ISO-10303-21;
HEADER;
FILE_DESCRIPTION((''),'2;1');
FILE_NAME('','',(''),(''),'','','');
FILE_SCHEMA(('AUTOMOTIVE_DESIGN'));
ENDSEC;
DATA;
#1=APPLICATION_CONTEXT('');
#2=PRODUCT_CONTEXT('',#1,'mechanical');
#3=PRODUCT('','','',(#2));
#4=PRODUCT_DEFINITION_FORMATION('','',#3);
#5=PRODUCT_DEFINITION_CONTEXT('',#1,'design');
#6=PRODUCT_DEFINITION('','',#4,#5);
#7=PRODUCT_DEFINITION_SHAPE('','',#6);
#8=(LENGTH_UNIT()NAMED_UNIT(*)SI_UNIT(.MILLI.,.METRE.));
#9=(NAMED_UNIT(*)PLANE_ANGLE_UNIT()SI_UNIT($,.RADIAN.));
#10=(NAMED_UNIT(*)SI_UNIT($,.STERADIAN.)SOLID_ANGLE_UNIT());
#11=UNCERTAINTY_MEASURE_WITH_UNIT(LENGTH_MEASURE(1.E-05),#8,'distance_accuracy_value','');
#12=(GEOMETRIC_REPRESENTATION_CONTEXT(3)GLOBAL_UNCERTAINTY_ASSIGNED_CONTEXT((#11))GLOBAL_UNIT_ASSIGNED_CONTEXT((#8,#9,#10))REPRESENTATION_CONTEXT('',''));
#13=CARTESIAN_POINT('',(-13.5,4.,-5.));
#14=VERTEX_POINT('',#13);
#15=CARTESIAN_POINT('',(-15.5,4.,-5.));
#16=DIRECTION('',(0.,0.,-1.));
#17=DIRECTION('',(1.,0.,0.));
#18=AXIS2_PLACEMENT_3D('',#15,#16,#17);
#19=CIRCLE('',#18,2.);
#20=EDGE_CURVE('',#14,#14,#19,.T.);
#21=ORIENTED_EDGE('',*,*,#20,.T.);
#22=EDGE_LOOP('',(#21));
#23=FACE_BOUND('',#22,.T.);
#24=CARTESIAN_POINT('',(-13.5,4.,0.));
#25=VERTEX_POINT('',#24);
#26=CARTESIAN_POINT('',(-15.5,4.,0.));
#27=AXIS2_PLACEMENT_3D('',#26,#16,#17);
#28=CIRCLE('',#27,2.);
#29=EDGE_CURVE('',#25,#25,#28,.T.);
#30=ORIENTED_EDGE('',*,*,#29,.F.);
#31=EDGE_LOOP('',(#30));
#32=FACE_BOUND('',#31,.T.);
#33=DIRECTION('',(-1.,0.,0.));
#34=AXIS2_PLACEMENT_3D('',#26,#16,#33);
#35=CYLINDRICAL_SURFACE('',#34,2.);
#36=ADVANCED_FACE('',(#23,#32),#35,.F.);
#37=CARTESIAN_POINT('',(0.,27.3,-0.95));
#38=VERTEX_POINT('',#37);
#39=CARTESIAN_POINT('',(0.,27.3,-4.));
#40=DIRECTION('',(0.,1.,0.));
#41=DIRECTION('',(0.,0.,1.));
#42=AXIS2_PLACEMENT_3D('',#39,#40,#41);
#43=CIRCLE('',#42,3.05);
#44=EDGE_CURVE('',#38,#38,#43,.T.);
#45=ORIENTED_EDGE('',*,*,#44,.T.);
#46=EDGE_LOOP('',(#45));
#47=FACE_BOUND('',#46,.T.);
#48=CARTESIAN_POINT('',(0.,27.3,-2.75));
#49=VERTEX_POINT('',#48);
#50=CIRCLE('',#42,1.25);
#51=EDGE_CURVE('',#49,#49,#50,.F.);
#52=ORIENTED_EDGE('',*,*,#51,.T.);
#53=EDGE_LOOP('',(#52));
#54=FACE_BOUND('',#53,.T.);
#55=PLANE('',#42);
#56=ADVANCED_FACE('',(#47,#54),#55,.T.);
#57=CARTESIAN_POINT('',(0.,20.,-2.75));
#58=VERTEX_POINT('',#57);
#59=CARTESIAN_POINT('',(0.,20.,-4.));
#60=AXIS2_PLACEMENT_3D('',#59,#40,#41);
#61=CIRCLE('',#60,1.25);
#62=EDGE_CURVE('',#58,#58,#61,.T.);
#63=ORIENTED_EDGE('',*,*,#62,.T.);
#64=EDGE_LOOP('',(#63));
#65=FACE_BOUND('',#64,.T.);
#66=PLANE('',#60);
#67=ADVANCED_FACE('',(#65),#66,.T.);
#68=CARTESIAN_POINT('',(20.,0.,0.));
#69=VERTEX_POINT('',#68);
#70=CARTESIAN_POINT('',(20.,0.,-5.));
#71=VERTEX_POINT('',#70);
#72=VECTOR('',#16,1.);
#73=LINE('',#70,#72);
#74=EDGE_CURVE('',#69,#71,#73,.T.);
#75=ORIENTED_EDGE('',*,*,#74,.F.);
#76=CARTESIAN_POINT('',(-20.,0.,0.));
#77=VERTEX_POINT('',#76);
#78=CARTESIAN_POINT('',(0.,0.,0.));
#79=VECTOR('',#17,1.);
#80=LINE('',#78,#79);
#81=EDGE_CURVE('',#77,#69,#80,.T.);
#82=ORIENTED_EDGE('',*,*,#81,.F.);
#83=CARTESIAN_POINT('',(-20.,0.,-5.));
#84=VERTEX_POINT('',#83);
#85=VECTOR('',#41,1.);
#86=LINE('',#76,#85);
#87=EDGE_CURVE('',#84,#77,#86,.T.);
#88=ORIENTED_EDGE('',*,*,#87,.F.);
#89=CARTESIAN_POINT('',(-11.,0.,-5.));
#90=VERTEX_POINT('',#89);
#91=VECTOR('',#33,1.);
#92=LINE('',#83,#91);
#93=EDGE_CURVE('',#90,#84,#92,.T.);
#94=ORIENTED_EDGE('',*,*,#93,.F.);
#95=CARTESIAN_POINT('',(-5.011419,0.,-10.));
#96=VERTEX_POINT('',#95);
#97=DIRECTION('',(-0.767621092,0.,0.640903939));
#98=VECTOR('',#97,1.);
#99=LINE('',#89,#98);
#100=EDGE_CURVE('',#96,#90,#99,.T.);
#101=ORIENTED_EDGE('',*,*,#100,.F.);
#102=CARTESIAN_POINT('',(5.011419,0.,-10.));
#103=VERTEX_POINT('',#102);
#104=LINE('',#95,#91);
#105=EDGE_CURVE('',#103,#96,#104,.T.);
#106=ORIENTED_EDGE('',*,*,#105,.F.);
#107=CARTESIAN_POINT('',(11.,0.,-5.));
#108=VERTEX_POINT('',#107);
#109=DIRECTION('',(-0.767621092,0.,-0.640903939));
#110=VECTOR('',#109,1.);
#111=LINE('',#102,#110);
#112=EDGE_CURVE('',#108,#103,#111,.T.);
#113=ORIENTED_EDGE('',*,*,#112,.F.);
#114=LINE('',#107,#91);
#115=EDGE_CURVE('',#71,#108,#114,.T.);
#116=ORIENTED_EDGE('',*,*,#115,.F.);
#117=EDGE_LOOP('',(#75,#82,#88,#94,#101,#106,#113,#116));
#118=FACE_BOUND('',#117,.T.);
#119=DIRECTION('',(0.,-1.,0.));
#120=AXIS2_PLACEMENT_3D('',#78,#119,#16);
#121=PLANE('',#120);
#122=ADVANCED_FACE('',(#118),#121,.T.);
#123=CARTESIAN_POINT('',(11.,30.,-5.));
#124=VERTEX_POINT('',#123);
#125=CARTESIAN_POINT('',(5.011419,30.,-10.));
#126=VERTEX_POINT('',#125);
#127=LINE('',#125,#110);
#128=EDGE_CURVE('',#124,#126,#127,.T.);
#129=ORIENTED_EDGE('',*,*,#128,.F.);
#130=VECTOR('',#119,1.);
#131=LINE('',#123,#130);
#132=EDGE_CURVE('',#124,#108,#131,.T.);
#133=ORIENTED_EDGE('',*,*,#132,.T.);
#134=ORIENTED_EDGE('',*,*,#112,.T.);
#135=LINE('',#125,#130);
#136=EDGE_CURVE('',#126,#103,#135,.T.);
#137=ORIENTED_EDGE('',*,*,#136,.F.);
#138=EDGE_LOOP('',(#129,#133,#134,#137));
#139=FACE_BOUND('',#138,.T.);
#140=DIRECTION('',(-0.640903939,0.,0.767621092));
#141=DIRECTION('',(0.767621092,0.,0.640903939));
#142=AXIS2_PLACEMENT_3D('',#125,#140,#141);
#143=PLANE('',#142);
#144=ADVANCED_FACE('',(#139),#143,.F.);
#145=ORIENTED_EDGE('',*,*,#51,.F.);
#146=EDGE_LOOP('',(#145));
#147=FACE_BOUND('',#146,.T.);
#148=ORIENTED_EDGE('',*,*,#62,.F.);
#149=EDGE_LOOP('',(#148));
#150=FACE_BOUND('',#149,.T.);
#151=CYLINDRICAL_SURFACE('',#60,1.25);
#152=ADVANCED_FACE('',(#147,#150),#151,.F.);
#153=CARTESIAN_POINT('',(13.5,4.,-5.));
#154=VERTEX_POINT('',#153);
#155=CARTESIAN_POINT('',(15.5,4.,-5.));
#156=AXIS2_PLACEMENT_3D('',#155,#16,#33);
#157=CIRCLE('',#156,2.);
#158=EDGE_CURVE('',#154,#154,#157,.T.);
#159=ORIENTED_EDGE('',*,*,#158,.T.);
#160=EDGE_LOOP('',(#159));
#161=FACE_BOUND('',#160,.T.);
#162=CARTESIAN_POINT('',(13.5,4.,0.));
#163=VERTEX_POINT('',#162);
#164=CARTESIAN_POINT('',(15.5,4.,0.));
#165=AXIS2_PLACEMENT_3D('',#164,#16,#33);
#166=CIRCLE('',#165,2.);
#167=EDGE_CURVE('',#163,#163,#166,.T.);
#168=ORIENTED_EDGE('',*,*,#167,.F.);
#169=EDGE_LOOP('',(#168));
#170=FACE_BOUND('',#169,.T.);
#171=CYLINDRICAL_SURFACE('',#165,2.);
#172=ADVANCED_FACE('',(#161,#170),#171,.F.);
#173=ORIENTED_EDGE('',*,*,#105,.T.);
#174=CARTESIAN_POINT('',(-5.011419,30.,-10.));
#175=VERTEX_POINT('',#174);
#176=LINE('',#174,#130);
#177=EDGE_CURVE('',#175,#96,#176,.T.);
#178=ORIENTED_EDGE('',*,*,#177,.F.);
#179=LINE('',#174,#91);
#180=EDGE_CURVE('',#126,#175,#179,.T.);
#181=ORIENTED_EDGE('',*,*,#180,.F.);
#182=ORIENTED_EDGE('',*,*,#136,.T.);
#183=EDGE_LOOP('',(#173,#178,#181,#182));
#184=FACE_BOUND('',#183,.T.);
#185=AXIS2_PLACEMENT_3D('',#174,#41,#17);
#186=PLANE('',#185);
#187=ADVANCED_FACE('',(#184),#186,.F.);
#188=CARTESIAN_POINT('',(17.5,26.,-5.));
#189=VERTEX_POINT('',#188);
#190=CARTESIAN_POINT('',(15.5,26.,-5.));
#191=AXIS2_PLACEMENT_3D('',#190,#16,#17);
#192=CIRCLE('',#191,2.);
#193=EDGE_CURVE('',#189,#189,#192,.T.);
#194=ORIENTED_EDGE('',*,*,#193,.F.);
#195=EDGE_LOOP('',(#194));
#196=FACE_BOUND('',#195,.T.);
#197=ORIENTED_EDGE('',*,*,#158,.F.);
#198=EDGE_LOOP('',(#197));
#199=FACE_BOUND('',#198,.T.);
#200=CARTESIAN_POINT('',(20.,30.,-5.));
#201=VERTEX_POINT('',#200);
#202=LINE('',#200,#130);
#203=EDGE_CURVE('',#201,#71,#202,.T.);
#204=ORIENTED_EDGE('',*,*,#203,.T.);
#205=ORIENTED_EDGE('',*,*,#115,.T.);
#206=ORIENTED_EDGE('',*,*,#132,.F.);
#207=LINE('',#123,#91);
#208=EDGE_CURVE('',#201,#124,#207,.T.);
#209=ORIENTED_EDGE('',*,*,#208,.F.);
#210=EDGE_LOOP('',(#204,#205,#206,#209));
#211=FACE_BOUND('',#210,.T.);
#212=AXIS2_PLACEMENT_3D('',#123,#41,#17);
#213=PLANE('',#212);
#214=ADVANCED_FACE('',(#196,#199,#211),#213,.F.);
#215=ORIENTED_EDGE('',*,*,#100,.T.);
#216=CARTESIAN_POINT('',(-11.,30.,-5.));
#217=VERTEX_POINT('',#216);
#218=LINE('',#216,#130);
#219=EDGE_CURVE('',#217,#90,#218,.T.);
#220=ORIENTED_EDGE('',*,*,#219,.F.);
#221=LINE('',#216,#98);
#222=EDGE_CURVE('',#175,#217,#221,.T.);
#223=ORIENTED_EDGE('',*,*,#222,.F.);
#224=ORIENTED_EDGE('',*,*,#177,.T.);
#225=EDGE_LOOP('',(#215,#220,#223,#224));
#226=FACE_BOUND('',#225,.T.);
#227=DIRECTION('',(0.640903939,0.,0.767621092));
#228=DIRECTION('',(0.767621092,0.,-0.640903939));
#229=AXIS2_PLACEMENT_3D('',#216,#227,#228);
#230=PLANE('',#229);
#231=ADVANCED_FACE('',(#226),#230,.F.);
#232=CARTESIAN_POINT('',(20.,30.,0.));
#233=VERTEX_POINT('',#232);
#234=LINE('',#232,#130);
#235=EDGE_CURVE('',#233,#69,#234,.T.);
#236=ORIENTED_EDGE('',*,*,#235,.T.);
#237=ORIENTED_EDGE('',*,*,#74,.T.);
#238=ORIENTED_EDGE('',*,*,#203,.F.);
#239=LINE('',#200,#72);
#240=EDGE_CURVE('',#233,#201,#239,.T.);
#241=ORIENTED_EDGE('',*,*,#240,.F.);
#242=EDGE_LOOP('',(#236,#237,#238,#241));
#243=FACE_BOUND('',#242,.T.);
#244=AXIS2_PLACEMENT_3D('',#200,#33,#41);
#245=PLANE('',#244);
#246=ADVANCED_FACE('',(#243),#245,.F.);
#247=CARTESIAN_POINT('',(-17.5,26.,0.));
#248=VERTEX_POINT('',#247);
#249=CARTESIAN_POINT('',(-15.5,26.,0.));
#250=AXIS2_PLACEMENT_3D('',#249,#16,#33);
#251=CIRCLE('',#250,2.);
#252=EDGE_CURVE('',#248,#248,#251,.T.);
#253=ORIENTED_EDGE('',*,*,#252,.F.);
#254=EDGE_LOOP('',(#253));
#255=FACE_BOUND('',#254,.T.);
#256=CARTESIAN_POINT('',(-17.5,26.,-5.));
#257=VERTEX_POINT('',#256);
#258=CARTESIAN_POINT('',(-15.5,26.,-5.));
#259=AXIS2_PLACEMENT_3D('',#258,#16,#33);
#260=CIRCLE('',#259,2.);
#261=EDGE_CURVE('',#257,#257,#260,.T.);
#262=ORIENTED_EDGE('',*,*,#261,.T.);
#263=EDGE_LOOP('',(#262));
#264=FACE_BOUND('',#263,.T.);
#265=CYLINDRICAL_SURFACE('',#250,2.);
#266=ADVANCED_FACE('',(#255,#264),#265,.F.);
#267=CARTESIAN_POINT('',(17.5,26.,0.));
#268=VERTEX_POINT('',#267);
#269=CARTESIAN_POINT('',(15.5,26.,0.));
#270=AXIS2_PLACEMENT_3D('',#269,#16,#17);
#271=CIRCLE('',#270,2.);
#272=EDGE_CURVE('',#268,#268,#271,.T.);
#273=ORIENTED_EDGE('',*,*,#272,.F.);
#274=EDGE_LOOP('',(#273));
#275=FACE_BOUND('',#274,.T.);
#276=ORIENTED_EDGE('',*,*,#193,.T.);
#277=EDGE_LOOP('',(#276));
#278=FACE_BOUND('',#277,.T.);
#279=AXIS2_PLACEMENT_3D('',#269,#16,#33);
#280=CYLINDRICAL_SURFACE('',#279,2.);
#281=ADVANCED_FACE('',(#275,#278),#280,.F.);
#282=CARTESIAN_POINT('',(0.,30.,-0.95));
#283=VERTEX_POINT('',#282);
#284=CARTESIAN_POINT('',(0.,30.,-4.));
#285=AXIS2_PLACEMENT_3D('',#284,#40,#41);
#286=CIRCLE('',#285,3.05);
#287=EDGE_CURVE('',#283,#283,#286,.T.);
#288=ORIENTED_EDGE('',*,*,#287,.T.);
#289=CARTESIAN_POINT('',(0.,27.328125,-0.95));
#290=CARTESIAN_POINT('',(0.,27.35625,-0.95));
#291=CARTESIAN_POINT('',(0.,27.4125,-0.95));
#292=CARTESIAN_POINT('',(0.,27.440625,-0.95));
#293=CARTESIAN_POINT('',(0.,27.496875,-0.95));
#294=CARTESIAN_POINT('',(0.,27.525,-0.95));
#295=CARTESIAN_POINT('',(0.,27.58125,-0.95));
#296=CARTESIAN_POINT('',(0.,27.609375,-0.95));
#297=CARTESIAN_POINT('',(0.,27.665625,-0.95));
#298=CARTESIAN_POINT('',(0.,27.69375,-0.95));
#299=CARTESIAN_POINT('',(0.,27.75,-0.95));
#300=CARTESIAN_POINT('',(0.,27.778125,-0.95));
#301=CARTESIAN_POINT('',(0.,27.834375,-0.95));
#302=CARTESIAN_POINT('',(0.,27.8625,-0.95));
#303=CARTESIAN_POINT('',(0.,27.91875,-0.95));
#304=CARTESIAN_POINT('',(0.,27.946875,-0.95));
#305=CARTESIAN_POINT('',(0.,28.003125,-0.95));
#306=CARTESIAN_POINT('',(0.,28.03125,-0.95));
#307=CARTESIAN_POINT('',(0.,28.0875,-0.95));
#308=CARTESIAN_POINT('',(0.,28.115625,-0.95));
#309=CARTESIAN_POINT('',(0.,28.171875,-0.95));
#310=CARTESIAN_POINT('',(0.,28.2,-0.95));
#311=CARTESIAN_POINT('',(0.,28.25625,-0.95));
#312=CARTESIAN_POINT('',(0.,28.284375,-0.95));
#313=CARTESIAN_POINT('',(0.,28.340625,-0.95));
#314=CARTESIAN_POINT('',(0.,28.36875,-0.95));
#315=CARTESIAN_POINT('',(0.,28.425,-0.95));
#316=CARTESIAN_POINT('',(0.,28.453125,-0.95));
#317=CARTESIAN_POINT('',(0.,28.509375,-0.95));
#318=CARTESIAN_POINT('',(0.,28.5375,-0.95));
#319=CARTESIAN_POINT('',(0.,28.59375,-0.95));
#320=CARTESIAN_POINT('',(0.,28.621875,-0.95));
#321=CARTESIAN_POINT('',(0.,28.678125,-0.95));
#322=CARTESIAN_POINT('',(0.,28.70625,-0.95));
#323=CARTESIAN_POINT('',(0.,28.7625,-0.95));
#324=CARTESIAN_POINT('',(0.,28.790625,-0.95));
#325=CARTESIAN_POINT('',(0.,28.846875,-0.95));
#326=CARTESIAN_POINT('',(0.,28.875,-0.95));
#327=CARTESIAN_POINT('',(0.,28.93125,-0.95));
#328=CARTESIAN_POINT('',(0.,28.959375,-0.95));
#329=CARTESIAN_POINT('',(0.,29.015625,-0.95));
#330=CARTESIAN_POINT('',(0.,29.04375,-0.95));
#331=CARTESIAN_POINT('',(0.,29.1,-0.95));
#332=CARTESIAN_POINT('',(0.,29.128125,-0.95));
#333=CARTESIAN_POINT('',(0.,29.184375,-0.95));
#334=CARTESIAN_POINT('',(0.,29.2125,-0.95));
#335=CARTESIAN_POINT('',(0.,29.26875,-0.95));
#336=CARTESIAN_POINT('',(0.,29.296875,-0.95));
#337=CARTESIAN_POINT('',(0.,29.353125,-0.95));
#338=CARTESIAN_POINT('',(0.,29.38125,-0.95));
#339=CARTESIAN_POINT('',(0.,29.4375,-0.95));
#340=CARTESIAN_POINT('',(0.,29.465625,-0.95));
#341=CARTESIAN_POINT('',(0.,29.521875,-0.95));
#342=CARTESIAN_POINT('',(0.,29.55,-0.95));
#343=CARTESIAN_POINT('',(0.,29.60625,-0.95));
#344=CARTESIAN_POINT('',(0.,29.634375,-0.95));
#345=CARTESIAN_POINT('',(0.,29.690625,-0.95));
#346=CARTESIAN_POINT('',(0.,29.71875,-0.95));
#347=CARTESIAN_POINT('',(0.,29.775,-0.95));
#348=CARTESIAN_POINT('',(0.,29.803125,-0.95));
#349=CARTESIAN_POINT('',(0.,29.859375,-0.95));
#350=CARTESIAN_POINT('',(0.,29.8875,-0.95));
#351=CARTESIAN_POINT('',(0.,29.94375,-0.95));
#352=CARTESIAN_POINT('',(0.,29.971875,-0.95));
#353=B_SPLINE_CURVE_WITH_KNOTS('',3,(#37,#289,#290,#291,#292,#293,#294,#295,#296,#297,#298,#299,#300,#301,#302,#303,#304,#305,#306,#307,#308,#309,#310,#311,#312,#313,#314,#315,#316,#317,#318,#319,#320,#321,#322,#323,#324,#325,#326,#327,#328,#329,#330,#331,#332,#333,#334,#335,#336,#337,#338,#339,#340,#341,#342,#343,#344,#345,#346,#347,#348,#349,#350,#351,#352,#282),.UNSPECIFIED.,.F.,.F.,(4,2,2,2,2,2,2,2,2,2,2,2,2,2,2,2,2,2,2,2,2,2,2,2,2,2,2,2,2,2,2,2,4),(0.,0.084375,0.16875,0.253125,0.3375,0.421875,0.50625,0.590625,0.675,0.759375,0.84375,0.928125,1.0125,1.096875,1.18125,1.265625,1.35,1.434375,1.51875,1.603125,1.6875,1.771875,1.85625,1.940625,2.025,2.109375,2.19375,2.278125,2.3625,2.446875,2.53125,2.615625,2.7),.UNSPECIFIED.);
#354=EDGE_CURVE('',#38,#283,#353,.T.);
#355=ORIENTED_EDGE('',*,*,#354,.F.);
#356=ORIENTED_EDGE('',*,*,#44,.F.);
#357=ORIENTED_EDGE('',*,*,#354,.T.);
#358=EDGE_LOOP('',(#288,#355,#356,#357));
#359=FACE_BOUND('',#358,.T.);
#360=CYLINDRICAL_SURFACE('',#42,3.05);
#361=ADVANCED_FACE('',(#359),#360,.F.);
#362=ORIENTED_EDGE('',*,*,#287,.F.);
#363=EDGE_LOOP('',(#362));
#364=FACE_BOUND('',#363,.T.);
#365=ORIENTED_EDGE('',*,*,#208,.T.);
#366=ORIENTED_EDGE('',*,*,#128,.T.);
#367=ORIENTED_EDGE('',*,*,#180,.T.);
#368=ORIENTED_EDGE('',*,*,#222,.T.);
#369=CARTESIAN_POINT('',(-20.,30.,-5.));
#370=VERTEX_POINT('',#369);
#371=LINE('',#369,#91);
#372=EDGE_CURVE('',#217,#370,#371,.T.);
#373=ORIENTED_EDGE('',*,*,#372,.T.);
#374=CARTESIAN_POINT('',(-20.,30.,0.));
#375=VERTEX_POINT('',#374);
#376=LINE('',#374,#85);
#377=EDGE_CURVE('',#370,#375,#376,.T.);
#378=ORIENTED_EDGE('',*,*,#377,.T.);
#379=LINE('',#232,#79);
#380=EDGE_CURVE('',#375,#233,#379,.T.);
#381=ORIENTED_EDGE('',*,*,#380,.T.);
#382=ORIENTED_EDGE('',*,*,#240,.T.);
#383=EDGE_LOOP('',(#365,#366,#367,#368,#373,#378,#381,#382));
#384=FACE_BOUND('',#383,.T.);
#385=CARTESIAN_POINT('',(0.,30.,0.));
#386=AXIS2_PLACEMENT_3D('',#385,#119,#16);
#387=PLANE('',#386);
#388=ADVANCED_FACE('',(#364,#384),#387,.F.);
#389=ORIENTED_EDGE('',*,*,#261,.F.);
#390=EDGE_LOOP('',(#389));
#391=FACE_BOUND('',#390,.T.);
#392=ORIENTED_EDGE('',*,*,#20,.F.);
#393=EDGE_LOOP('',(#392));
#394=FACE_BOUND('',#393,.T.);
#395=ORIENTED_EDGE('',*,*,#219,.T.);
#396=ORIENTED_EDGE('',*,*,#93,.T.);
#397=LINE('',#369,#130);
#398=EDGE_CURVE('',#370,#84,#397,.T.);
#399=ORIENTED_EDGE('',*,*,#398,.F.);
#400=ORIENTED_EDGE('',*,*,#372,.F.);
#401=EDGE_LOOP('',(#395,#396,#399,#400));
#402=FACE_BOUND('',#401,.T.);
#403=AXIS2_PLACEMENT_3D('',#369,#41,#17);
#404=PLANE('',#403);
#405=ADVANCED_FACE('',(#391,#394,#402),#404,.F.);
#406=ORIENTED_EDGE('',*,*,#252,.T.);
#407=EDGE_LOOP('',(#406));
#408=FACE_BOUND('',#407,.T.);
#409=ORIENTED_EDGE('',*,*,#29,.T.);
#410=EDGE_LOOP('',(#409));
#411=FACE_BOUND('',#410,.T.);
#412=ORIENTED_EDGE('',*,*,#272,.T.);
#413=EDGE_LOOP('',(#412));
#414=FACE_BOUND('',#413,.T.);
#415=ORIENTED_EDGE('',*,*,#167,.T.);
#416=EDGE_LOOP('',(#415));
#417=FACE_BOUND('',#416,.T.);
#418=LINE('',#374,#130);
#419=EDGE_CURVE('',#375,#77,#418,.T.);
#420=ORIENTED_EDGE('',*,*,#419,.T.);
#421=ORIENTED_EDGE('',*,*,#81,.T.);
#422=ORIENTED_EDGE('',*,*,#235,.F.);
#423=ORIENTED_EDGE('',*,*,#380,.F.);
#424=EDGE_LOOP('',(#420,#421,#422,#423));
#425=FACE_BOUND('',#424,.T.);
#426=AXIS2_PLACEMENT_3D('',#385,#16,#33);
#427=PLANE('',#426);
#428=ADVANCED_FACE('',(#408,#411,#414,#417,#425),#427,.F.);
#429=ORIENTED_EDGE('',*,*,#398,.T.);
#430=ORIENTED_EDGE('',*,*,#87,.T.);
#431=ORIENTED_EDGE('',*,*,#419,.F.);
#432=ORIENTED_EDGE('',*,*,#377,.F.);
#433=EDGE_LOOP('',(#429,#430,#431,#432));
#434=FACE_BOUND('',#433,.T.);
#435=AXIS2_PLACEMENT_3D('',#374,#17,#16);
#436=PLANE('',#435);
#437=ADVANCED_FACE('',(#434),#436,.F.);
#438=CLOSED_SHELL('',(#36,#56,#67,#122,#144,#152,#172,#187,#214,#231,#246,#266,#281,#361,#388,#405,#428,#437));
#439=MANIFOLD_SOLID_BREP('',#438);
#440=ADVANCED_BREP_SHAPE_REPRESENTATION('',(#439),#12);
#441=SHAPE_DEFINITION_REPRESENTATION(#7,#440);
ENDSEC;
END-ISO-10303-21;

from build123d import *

# Parameters (mm, degrees)
BOSS_EXTRUDE2_DEPTH = 30
SKETCH2_R           = 1.25
CUT_EXTRUDE1_DEPTH  = 10
SKETCH4_R           = 2
CUT_EXTRUDE5_DEPTH  = 37.400549446
SKETCH5_R           = 3.05
CUT_EXTRUDE6_DEPTH  = 2.7


with BuildPart() as part:
    # Sketch1 → Boss-Extrude2 (new body)
    with BuildSketch(Plane(origin=(0, 0, 0), x_dir=(1, 0, 0), z_dir=(0, 1, 0))):
        Polygon((0, 0), (-20, 0), (-20, 5), (-11, 5), (-5.01141852, 10), (5.01141852, 10), (11, 5), (20, 5), (20, 0), align=None)
    extrude(amount=BOSS_EXTRUDE2_DEPTH)

    # Sketch2 → Cut-Extrude1 (cut)
    with BuildSketch(Plane(origin=(0, 30, 0), x_dir=(1, 0, 0), z_dir=(0, 1, 0))):
        with Locations(Location((0, 4, 0), (0, 0, 270))):
            Circle(SKETCH2_R)
    extrude(amount=-CUT_EXTRUDE1_DEPTH, mode=Mode.SUBTRACT)

    # Sketch4 → Cut-Extrude5 (cut, through all)
    with BuildSketch(Plane(origin=(0, 0, -5), x_dir=(-1, 0, 0), z_dir=(0, 0, -1))):
        with Locations((-15.5, 4)):
            Circle(SKETCH4_R)
        with Locations(Location((-15.5, 26, 0), (0, 0, 180))):
            Circle(SKETCH4_R)
        with Locations(Location((15.5, 4, 0), (0, 0, 180))):
            Circle(SKETCH4_R)
        with Locations((15.5, 26)):
            Circle(SKETCH4_R)
    extrude(amount=-CUT_EXTRUDE5_DEPTH, mode=Mode.SUBTRACT)

    # Sketch5 → Cut-Extrude6 (cut)
    with BuildSketch(Plane(origin=(0, 30, 0), x_dir=(1, 0, 0), z_dir=(0, 1, 0))):
        with Locations(Location((0, 4, 0), (0, 0, 270))):
            Circle(SKETCH5_R)
    extrude(amount=-CUT_EXTRUDE6_DEPTH, mode=Mode.SUBTRACT)


solid = part.part
